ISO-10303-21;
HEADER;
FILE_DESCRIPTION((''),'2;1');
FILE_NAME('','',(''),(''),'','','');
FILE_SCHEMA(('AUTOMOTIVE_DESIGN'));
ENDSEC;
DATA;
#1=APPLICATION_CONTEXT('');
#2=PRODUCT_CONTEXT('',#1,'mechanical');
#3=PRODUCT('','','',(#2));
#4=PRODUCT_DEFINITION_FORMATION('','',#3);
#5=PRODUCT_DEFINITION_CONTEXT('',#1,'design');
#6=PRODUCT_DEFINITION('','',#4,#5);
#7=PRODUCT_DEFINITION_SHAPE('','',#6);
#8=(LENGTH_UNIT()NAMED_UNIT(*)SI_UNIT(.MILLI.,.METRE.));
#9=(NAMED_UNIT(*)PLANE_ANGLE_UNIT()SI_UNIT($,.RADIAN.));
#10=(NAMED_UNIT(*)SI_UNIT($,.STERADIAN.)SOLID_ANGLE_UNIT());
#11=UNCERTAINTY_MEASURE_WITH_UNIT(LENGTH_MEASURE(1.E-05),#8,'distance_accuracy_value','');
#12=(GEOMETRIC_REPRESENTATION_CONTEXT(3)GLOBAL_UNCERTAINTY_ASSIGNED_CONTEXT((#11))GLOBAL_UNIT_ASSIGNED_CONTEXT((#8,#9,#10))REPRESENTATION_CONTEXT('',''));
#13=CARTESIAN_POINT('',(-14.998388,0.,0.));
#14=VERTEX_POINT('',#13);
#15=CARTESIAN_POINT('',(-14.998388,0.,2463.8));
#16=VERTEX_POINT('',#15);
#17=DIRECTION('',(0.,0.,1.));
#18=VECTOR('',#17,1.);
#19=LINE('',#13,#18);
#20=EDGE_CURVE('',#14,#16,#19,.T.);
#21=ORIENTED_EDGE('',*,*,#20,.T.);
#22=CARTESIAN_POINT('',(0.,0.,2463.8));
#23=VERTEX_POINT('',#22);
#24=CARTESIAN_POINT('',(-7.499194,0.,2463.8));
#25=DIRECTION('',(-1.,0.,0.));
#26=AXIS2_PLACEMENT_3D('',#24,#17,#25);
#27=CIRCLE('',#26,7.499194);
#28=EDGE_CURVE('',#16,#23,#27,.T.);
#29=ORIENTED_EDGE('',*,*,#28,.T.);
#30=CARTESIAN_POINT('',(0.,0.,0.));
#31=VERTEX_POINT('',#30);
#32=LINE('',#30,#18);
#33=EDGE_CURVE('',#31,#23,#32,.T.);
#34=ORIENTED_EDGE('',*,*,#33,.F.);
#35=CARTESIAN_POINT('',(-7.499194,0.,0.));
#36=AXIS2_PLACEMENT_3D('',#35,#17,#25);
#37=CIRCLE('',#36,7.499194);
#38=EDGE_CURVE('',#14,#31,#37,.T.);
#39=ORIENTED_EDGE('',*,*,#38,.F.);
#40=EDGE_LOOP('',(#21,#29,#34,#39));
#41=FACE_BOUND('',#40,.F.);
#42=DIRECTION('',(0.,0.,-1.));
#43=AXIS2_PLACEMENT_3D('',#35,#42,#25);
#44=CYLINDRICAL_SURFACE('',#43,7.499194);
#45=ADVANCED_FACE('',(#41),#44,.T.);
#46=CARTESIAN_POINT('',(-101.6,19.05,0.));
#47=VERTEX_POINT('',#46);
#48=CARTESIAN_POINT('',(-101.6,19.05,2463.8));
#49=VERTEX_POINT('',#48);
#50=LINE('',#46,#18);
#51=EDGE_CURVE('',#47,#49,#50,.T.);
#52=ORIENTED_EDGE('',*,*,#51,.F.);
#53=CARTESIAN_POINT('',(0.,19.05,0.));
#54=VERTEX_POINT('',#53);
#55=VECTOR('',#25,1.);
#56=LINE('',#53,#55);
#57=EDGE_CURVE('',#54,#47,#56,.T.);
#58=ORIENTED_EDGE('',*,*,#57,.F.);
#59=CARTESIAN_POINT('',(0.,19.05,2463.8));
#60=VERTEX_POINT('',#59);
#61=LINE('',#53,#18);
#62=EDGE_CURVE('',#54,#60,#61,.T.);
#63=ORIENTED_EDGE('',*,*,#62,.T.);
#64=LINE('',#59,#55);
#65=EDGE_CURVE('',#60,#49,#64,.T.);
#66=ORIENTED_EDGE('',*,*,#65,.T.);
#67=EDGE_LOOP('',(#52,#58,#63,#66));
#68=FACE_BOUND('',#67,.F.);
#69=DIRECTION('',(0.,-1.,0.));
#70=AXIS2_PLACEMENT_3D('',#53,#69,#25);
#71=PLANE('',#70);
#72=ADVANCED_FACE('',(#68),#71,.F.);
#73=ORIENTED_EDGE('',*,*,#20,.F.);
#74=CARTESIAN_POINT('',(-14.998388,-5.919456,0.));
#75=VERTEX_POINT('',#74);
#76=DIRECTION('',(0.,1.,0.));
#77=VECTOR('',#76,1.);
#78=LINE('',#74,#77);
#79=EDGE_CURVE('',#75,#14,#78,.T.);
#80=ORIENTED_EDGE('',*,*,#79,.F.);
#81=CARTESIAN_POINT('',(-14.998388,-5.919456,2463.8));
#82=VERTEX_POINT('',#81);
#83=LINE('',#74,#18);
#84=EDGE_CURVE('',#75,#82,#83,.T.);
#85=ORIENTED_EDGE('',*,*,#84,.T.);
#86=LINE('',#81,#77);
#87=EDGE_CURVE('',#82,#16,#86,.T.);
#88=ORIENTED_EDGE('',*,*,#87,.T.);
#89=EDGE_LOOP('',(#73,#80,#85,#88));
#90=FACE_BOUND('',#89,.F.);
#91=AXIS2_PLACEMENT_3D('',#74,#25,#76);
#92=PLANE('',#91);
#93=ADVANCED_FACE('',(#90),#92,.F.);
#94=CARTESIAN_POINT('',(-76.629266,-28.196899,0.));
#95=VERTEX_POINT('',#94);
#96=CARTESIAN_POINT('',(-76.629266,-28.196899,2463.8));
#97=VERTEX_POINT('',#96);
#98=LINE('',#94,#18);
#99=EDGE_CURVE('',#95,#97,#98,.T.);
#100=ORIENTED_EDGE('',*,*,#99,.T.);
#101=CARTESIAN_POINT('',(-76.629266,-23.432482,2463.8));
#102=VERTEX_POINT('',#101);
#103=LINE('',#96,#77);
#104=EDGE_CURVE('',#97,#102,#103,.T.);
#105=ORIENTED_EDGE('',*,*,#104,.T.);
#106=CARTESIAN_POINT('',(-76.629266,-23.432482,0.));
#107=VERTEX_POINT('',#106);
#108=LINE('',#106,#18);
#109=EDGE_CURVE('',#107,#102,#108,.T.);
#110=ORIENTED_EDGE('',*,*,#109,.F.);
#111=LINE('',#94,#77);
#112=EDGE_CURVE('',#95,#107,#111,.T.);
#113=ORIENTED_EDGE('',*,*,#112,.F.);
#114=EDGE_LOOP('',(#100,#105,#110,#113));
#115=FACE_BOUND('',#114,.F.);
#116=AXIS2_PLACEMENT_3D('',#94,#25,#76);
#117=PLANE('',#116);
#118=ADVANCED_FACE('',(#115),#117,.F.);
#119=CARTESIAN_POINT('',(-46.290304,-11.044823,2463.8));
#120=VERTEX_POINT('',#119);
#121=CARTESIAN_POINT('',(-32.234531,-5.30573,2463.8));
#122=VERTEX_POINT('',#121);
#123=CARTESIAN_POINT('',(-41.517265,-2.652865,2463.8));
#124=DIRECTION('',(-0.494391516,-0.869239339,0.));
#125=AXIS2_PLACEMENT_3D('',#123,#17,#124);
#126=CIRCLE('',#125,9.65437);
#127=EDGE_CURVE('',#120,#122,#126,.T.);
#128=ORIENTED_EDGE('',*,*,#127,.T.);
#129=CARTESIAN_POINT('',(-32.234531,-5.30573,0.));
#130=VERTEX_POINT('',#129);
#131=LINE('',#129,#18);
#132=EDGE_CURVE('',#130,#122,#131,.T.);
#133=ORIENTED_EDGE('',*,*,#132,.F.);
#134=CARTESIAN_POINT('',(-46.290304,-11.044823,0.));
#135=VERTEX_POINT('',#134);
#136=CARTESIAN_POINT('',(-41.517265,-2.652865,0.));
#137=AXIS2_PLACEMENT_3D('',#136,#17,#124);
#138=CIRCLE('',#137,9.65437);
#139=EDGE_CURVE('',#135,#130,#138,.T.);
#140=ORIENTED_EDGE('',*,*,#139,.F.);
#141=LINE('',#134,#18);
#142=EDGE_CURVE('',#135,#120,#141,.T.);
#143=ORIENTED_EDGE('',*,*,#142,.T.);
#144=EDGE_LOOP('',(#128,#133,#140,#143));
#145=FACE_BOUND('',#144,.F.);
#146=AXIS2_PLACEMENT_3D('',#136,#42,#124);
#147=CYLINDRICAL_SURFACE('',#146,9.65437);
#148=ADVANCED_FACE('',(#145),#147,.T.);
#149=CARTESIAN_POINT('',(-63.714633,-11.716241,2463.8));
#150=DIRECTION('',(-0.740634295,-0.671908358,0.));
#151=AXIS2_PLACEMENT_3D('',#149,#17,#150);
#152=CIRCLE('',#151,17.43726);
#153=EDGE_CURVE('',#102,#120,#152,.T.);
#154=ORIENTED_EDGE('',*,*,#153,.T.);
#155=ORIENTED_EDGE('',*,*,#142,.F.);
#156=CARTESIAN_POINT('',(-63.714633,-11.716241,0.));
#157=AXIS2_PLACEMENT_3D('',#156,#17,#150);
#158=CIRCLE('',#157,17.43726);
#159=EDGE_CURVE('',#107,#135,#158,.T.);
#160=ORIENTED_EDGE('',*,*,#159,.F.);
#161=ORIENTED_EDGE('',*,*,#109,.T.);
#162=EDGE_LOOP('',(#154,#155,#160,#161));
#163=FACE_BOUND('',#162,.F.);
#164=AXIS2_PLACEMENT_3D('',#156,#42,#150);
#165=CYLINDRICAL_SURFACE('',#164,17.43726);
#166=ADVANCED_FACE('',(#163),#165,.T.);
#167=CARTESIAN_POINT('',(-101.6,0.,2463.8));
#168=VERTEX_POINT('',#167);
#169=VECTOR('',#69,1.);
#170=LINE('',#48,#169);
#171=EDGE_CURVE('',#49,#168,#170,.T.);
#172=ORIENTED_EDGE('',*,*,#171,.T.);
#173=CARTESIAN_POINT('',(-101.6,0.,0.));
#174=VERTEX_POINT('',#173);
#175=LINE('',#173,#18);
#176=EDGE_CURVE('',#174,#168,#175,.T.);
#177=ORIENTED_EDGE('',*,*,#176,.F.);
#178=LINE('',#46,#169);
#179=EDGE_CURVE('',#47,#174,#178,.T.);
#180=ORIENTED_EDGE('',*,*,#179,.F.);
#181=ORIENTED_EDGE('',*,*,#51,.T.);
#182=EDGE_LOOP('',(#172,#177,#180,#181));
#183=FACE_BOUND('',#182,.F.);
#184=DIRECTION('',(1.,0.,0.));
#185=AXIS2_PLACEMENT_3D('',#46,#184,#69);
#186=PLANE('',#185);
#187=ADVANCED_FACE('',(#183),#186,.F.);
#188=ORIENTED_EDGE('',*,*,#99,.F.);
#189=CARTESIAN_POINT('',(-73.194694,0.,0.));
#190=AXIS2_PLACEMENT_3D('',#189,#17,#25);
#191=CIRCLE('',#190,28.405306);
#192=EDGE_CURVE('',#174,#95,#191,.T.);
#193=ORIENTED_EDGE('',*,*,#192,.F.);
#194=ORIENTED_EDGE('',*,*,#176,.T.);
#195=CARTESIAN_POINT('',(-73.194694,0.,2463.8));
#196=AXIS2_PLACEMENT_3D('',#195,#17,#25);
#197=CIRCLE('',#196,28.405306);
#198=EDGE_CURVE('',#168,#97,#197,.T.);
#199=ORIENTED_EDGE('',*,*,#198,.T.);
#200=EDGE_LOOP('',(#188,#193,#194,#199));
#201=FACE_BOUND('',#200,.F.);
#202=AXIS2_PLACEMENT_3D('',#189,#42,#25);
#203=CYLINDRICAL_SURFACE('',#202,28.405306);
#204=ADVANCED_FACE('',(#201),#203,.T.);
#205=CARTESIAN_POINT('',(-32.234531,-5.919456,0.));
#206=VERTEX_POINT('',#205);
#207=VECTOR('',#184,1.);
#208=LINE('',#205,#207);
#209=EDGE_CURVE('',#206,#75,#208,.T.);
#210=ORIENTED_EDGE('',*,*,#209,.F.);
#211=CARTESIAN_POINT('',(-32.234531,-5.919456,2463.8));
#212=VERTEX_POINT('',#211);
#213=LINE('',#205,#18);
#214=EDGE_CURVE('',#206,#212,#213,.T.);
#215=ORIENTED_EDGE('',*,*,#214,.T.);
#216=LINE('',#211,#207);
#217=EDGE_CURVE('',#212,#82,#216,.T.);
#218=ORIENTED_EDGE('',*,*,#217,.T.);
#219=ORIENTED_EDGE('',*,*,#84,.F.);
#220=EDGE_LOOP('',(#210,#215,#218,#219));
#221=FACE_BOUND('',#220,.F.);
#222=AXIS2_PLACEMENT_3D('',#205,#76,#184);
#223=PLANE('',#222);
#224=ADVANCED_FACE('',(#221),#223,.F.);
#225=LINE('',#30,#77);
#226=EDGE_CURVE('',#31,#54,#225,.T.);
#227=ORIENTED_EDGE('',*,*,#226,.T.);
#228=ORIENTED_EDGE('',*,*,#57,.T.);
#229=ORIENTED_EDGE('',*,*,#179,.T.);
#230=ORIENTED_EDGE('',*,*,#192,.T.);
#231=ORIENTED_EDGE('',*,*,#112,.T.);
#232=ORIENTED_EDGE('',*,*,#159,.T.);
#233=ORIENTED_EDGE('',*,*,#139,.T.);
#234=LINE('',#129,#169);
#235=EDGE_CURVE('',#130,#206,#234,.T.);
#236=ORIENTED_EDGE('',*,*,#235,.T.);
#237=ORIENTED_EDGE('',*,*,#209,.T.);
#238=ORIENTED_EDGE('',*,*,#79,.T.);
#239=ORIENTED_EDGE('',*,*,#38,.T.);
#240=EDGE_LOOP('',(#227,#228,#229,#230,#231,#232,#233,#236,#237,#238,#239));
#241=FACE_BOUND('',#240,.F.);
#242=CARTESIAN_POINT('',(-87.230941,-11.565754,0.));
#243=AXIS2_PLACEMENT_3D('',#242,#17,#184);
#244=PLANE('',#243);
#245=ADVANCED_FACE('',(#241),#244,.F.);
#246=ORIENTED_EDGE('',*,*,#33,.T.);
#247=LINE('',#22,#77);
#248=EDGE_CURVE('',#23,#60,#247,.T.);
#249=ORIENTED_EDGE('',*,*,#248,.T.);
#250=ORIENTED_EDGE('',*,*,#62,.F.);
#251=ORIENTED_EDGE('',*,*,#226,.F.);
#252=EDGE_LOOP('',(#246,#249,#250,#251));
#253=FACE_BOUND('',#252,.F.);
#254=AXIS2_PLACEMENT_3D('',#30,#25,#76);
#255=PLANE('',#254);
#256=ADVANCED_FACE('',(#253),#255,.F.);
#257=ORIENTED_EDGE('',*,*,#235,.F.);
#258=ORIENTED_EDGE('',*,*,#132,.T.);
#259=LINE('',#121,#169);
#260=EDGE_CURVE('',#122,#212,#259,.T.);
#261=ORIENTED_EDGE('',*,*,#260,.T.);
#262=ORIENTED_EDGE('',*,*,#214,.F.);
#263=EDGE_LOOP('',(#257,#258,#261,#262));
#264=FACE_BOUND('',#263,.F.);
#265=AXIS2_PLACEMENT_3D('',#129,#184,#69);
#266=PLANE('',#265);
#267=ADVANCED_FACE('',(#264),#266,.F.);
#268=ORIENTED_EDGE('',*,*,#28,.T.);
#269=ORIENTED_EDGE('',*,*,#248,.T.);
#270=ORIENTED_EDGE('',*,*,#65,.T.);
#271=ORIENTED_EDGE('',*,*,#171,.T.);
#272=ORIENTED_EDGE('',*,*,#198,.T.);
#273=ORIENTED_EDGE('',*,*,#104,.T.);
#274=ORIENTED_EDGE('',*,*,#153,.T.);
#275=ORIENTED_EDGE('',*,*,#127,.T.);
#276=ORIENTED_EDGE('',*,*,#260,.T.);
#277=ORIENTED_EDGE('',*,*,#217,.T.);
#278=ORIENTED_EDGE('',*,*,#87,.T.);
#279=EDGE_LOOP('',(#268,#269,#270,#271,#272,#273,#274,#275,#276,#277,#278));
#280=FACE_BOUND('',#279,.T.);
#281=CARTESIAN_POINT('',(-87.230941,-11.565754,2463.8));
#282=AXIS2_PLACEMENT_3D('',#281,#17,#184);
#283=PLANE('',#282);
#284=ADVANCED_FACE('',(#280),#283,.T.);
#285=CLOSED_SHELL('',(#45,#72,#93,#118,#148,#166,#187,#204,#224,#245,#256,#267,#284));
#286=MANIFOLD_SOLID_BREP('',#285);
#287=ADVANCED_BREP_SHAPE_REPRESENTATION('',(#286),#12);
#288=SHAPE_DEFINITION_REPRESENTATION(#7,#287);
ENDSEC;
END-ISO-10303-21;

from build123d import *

# Parameters (mm, degrees)
F1_DEPTH = 2463.8


with BuildPart() as f1:
    # F0 (on Top) → F1 (new body)
    with BuildSketch(Plane.XY):
        with BuildLine():
            Line((-76.6292661428, 0), (-101.6, 0))
            ThreePointArc((-101.6, 0), (-94.4599412573, -18.8321711109), (-76.6292661428, -28.1968992203))
            Line((-76.6292661428, -28.1968992203), (-76.6292661428, -23.4324820225))
            ThreePointArc((-76.6292661428, -23.4324820225), (-81.1518934871, -11.7162410113), (-76.6292661428, 0))
        make_face()
        with BuildLine():
            ThreePointArc((-46.2903038691, -11.0448226221), (-50.4552862108, -6.3023355751), (-50.8, 0))
            Line((-50.8, 0), (-76.6292661428, 0))
            Line((-76.6292661428, 0), (-76.6292661428, -23.4324820225))
            ThreePointArc((-76.6292661428, -23.4324820225), (-57.1231335339, -27.8596664424), (-46.2903038691, -11.0448226221))
        make_face()
        with BuildLine():
            Line((-76.6292661428, -23.4324820225), (-76.6292661428, 0))
            ThreePointArc((-76.6292661428, 0), (-81.1518934871, -11.7162410113), (-76.6292661428, -23.4324820225))
        make_face()
        with BuildLine():
            ThreePointArc((-46.2903038691, -11.0448226221), (-47.5712076403, -5.1247414737), (-50.8, 0))
            ThreePointArc((-50.8, 0), (-50.4552862108, -6.3023355751), (-46.2903038691, -11.0448226221))
        make_face()
        with BuildLine():
            Line((-32.2345308959, -5.3057295499), (-32.2345308959, 0))
            Line((-32.2345308959, 0), (-50.8, 0))
            ThreePointArc((-50.8, 0), (-47.5712076403, -5.1247414737), (-46.2903038691, -11.0448226221))
            ThreePointArc((-46.2903038691, -11.0448226221), (-37.8677946479, -11.5908855378), (-32.2345308959, -5.3057295499))
        make_face()
        with BuildLine():
            Line((-14.9983884767, -5.9194555506), (-14.9983884767, 0))
            Line((-14.9983884767, 0), (-32.2345308959, 0))
            ThreePointArc((-32.2345308959, 0), (-31.8628958529, -2.652864775), (-32.2345308959, -5.3057295499))
            Line((-32.2345308959, -5.3057295499), (-32.2345308959, -5.9194555506))
            Line((-32.2345308959, -5.9194555506), (-14.9983884767, -5.9194555506))
        make_face()
        with BuildLine():
            ThreePointArc((-32.2345308959, -5.3057295499), (-31.8628958529, -2.652864775), (-32.2345308959, 0))
            Line((-32.2345308959, 0), (-32.2345308959, -5.3057295499))
        make_face()
        with BuildLine():
            ThreePointArc((-14.9983884767, 0), (-7.4991942383, -7.4991942383), (0, 0))
            Line((0, 0), (-14.9983884767, 0))
        make_face()
        Polygon((-14.9983884767, 0), (0, 0), (0, 19.05), (-101.6, 19.05), (-101.6, 0), (-76.6292661428, 0), (-50.8, 0), (-32.2345308959, 0), align=None)
    extrude(amount=F1_DEPTH)


solid = f1.part
